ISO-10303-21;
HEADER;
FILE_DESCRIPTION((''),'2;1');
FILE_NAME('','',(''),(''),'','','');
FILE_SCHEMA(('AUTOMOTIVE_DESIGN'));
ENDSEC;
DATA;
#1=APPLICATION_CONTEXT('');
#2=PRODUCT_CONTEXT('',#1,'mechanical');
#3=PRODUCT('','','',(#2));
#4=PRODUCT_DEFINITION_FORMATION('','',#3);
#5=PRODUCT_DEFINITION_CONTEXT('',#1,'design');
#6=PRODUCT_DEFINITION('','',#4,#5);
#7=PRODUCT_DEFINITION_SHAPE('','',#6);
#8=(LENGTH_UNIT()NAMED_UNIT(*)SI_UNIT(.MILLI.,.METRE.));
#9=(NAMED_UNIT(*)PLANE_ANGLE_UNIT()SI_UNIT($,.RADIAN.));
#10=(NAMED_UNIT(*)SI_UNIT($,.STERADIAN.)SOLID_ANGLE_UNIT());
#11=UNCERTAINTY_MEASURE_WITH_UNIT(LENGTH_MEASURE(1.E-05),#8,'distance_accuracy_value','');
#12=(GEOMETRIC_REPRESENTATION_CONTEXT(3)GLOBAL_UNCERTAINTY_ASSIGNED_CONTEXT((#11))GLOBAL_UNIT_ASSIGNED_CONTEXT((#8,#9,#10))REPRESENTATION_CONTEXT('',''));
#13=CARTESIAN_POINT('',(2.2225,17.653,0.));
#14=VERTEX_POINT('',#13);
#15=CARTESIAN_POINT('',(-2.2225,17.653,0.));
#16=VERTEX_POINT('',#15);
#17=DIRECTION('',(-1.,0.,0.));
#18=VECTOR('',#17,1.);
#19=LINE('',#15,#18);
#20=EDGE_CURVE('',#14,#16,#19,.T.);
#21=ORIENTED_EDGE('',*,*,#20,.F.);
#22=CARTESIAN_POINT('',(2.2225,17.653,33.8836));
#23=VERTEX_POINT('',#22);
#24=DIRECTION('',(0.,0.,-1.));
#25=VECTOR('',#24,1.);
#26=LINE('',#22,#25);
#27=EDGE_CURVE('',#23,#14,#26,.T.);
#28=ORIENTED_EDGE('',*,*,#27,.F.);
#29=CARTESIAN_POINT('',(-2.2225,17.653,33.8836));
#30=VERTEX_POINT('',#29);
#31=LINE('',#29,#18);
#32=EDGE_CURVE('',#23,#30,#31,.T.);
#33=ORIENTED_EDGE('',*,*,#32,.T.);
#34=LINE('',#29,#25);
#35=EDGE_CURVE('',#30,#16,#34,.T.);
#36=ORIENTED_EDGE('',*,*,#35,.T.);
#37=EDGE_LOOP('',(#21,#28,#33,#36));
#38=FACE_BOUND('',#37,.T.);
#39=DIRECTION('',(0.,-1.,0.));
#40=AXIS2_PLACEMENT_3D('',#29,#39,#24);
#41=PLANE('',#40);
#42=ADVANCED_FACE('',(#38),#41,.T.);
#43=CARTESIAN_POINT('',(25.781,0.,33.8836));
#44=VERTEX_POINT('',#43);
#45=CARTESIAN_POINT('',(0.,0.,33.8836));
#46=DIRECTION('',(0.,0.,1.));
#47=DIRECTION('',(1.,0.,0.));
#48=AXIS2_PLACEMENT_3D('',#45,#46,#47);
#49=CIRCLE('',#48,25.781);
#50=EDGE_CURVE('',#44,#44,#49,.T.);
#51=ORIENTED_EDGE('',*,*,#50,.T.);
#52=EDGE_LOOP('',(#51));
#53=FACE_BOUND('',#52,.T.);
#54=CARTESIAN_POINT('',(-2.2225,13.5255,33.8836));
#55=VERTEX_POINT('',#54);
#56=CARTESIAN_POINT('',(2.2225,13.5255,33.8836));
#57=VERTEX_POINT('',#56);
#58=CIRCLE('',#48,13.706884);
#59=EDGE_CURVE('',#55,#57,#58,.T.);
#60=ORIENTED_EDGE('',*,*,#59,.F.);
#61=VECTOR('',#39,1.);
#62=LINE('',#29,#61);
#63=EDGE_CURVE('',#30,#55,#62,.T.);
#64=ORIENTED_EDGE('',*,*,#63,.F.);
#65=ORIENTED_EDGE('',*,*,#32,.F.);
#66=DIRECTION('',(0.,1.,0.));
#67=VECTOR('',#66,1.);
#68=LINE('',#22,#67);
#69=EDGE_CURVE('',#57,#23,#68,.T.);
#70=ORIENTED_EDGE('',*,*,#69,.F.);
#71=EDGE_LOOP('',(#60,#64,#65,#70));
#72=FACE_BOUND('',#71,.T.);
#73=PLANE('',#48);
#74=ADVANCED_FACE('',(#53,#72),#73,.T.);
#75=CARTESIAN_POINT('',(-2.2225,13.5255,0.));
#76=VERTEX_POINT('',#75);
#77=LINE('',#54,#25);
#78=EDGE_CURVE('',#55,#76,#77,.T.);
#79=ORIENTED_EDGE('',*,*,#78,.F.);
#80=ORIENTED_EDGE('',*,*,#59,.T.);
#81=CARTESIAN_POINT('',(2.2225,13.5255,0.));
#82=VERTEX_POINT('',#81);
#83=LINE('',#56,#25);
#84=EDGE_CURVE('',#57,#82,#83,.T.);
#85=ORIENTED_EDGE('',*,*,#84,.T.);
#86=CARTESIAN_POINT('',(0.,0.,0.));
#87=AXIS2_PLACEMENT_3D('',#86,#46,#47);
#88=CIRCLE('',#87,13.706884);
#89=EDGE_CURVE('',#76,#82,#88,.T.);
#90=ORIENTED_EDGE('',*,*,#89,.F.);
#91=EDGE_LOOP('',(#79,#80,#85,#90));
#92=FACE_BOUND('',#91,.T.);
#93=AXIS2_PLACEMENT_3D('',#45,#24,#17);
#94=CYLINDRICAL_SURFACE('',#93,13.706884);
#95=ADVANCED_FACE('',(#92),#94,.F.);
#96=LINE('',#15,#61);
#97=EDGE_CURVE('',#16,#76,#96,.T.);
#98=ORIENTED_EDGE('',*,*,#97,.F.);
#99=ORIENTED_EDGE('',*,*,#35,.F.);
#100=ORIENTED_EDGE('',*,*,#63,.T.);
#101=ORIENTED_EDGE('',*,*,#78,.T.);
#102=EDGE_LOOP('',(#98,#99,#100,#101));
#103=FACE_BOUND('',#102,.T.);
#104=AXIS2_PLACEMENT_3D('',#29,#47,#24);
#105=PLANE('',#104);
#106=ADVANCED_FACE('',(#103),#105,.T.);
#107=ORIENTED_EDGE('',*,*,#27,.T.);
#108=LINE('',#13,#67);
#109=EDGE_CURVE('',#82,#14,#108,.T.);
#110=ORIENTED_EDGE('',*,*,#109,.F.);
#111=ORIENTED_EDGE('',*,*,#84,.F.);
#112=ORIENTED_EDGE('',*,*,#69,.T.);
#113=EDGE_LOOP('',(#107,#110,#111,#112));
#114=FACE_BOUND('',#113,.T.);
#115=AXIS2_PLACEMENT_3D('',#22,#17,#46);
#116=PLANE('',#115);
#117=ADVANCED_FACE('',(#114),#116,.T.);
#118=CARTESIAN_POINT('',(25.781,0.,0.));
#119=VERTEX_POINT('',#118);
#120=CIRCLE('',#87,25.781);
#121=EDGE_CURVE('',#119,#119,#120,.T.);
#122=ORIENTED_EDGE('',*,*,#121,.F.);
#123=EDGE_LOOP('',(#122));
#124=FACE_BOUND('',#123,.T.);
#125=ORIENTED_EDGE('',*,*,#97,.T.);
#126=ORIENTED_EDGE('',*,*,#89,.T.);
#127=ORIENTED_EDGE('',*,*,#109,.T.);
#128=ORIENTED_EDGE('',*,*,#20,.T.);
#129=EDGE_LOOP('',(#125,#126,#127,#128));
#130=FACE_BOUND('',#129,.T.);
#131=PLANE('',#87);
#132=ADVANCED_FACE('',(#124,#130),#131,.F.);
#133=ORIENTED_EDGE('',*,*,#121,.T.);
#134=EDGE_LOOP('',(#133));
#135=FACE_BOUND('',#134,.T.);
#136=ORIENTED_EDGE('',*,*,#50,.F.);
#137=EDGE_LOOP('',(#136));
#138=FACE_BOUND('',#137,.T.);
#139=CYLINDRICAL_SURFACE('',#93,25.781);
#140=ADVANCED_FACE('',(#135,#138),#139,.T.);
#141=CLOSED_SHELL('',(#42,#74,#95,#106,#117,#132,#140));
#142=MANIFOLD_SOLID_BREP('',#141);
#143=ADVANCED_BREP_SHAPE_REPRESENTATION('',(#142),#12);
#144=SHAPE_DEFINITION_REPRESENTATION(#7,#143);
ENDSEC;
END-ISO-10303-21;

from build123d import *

# Parameters (mm, degrees)
SKETCH1_R           = 25.781
BOSS_EXTRUDE1_DEPTH = 33.8836


with BuildPart() as part:
    # Sketch1 → Boss-Extrude1 (new body)
    with BuildSketch(Plane.XY):
        Circle(SKETCH1_R)
        with BuildLine():
            Line((-2.2225, 17.653), (2.2225, 17.653))
            Line((2.2225, 17.653), (2.2225, 13.5255))
            ThreePointArc((2.2225, 13.5255), (0, -13.706883544), (-2.2225, 13.5255))
            Line((-2.2225, 13.5255), (-2.2225, 17.653))
        make_face(mode=Mode.SUBTRACT)
    extrude(amount=BOSS_EXTRUDE1_DEPTH)


solid = part.part
